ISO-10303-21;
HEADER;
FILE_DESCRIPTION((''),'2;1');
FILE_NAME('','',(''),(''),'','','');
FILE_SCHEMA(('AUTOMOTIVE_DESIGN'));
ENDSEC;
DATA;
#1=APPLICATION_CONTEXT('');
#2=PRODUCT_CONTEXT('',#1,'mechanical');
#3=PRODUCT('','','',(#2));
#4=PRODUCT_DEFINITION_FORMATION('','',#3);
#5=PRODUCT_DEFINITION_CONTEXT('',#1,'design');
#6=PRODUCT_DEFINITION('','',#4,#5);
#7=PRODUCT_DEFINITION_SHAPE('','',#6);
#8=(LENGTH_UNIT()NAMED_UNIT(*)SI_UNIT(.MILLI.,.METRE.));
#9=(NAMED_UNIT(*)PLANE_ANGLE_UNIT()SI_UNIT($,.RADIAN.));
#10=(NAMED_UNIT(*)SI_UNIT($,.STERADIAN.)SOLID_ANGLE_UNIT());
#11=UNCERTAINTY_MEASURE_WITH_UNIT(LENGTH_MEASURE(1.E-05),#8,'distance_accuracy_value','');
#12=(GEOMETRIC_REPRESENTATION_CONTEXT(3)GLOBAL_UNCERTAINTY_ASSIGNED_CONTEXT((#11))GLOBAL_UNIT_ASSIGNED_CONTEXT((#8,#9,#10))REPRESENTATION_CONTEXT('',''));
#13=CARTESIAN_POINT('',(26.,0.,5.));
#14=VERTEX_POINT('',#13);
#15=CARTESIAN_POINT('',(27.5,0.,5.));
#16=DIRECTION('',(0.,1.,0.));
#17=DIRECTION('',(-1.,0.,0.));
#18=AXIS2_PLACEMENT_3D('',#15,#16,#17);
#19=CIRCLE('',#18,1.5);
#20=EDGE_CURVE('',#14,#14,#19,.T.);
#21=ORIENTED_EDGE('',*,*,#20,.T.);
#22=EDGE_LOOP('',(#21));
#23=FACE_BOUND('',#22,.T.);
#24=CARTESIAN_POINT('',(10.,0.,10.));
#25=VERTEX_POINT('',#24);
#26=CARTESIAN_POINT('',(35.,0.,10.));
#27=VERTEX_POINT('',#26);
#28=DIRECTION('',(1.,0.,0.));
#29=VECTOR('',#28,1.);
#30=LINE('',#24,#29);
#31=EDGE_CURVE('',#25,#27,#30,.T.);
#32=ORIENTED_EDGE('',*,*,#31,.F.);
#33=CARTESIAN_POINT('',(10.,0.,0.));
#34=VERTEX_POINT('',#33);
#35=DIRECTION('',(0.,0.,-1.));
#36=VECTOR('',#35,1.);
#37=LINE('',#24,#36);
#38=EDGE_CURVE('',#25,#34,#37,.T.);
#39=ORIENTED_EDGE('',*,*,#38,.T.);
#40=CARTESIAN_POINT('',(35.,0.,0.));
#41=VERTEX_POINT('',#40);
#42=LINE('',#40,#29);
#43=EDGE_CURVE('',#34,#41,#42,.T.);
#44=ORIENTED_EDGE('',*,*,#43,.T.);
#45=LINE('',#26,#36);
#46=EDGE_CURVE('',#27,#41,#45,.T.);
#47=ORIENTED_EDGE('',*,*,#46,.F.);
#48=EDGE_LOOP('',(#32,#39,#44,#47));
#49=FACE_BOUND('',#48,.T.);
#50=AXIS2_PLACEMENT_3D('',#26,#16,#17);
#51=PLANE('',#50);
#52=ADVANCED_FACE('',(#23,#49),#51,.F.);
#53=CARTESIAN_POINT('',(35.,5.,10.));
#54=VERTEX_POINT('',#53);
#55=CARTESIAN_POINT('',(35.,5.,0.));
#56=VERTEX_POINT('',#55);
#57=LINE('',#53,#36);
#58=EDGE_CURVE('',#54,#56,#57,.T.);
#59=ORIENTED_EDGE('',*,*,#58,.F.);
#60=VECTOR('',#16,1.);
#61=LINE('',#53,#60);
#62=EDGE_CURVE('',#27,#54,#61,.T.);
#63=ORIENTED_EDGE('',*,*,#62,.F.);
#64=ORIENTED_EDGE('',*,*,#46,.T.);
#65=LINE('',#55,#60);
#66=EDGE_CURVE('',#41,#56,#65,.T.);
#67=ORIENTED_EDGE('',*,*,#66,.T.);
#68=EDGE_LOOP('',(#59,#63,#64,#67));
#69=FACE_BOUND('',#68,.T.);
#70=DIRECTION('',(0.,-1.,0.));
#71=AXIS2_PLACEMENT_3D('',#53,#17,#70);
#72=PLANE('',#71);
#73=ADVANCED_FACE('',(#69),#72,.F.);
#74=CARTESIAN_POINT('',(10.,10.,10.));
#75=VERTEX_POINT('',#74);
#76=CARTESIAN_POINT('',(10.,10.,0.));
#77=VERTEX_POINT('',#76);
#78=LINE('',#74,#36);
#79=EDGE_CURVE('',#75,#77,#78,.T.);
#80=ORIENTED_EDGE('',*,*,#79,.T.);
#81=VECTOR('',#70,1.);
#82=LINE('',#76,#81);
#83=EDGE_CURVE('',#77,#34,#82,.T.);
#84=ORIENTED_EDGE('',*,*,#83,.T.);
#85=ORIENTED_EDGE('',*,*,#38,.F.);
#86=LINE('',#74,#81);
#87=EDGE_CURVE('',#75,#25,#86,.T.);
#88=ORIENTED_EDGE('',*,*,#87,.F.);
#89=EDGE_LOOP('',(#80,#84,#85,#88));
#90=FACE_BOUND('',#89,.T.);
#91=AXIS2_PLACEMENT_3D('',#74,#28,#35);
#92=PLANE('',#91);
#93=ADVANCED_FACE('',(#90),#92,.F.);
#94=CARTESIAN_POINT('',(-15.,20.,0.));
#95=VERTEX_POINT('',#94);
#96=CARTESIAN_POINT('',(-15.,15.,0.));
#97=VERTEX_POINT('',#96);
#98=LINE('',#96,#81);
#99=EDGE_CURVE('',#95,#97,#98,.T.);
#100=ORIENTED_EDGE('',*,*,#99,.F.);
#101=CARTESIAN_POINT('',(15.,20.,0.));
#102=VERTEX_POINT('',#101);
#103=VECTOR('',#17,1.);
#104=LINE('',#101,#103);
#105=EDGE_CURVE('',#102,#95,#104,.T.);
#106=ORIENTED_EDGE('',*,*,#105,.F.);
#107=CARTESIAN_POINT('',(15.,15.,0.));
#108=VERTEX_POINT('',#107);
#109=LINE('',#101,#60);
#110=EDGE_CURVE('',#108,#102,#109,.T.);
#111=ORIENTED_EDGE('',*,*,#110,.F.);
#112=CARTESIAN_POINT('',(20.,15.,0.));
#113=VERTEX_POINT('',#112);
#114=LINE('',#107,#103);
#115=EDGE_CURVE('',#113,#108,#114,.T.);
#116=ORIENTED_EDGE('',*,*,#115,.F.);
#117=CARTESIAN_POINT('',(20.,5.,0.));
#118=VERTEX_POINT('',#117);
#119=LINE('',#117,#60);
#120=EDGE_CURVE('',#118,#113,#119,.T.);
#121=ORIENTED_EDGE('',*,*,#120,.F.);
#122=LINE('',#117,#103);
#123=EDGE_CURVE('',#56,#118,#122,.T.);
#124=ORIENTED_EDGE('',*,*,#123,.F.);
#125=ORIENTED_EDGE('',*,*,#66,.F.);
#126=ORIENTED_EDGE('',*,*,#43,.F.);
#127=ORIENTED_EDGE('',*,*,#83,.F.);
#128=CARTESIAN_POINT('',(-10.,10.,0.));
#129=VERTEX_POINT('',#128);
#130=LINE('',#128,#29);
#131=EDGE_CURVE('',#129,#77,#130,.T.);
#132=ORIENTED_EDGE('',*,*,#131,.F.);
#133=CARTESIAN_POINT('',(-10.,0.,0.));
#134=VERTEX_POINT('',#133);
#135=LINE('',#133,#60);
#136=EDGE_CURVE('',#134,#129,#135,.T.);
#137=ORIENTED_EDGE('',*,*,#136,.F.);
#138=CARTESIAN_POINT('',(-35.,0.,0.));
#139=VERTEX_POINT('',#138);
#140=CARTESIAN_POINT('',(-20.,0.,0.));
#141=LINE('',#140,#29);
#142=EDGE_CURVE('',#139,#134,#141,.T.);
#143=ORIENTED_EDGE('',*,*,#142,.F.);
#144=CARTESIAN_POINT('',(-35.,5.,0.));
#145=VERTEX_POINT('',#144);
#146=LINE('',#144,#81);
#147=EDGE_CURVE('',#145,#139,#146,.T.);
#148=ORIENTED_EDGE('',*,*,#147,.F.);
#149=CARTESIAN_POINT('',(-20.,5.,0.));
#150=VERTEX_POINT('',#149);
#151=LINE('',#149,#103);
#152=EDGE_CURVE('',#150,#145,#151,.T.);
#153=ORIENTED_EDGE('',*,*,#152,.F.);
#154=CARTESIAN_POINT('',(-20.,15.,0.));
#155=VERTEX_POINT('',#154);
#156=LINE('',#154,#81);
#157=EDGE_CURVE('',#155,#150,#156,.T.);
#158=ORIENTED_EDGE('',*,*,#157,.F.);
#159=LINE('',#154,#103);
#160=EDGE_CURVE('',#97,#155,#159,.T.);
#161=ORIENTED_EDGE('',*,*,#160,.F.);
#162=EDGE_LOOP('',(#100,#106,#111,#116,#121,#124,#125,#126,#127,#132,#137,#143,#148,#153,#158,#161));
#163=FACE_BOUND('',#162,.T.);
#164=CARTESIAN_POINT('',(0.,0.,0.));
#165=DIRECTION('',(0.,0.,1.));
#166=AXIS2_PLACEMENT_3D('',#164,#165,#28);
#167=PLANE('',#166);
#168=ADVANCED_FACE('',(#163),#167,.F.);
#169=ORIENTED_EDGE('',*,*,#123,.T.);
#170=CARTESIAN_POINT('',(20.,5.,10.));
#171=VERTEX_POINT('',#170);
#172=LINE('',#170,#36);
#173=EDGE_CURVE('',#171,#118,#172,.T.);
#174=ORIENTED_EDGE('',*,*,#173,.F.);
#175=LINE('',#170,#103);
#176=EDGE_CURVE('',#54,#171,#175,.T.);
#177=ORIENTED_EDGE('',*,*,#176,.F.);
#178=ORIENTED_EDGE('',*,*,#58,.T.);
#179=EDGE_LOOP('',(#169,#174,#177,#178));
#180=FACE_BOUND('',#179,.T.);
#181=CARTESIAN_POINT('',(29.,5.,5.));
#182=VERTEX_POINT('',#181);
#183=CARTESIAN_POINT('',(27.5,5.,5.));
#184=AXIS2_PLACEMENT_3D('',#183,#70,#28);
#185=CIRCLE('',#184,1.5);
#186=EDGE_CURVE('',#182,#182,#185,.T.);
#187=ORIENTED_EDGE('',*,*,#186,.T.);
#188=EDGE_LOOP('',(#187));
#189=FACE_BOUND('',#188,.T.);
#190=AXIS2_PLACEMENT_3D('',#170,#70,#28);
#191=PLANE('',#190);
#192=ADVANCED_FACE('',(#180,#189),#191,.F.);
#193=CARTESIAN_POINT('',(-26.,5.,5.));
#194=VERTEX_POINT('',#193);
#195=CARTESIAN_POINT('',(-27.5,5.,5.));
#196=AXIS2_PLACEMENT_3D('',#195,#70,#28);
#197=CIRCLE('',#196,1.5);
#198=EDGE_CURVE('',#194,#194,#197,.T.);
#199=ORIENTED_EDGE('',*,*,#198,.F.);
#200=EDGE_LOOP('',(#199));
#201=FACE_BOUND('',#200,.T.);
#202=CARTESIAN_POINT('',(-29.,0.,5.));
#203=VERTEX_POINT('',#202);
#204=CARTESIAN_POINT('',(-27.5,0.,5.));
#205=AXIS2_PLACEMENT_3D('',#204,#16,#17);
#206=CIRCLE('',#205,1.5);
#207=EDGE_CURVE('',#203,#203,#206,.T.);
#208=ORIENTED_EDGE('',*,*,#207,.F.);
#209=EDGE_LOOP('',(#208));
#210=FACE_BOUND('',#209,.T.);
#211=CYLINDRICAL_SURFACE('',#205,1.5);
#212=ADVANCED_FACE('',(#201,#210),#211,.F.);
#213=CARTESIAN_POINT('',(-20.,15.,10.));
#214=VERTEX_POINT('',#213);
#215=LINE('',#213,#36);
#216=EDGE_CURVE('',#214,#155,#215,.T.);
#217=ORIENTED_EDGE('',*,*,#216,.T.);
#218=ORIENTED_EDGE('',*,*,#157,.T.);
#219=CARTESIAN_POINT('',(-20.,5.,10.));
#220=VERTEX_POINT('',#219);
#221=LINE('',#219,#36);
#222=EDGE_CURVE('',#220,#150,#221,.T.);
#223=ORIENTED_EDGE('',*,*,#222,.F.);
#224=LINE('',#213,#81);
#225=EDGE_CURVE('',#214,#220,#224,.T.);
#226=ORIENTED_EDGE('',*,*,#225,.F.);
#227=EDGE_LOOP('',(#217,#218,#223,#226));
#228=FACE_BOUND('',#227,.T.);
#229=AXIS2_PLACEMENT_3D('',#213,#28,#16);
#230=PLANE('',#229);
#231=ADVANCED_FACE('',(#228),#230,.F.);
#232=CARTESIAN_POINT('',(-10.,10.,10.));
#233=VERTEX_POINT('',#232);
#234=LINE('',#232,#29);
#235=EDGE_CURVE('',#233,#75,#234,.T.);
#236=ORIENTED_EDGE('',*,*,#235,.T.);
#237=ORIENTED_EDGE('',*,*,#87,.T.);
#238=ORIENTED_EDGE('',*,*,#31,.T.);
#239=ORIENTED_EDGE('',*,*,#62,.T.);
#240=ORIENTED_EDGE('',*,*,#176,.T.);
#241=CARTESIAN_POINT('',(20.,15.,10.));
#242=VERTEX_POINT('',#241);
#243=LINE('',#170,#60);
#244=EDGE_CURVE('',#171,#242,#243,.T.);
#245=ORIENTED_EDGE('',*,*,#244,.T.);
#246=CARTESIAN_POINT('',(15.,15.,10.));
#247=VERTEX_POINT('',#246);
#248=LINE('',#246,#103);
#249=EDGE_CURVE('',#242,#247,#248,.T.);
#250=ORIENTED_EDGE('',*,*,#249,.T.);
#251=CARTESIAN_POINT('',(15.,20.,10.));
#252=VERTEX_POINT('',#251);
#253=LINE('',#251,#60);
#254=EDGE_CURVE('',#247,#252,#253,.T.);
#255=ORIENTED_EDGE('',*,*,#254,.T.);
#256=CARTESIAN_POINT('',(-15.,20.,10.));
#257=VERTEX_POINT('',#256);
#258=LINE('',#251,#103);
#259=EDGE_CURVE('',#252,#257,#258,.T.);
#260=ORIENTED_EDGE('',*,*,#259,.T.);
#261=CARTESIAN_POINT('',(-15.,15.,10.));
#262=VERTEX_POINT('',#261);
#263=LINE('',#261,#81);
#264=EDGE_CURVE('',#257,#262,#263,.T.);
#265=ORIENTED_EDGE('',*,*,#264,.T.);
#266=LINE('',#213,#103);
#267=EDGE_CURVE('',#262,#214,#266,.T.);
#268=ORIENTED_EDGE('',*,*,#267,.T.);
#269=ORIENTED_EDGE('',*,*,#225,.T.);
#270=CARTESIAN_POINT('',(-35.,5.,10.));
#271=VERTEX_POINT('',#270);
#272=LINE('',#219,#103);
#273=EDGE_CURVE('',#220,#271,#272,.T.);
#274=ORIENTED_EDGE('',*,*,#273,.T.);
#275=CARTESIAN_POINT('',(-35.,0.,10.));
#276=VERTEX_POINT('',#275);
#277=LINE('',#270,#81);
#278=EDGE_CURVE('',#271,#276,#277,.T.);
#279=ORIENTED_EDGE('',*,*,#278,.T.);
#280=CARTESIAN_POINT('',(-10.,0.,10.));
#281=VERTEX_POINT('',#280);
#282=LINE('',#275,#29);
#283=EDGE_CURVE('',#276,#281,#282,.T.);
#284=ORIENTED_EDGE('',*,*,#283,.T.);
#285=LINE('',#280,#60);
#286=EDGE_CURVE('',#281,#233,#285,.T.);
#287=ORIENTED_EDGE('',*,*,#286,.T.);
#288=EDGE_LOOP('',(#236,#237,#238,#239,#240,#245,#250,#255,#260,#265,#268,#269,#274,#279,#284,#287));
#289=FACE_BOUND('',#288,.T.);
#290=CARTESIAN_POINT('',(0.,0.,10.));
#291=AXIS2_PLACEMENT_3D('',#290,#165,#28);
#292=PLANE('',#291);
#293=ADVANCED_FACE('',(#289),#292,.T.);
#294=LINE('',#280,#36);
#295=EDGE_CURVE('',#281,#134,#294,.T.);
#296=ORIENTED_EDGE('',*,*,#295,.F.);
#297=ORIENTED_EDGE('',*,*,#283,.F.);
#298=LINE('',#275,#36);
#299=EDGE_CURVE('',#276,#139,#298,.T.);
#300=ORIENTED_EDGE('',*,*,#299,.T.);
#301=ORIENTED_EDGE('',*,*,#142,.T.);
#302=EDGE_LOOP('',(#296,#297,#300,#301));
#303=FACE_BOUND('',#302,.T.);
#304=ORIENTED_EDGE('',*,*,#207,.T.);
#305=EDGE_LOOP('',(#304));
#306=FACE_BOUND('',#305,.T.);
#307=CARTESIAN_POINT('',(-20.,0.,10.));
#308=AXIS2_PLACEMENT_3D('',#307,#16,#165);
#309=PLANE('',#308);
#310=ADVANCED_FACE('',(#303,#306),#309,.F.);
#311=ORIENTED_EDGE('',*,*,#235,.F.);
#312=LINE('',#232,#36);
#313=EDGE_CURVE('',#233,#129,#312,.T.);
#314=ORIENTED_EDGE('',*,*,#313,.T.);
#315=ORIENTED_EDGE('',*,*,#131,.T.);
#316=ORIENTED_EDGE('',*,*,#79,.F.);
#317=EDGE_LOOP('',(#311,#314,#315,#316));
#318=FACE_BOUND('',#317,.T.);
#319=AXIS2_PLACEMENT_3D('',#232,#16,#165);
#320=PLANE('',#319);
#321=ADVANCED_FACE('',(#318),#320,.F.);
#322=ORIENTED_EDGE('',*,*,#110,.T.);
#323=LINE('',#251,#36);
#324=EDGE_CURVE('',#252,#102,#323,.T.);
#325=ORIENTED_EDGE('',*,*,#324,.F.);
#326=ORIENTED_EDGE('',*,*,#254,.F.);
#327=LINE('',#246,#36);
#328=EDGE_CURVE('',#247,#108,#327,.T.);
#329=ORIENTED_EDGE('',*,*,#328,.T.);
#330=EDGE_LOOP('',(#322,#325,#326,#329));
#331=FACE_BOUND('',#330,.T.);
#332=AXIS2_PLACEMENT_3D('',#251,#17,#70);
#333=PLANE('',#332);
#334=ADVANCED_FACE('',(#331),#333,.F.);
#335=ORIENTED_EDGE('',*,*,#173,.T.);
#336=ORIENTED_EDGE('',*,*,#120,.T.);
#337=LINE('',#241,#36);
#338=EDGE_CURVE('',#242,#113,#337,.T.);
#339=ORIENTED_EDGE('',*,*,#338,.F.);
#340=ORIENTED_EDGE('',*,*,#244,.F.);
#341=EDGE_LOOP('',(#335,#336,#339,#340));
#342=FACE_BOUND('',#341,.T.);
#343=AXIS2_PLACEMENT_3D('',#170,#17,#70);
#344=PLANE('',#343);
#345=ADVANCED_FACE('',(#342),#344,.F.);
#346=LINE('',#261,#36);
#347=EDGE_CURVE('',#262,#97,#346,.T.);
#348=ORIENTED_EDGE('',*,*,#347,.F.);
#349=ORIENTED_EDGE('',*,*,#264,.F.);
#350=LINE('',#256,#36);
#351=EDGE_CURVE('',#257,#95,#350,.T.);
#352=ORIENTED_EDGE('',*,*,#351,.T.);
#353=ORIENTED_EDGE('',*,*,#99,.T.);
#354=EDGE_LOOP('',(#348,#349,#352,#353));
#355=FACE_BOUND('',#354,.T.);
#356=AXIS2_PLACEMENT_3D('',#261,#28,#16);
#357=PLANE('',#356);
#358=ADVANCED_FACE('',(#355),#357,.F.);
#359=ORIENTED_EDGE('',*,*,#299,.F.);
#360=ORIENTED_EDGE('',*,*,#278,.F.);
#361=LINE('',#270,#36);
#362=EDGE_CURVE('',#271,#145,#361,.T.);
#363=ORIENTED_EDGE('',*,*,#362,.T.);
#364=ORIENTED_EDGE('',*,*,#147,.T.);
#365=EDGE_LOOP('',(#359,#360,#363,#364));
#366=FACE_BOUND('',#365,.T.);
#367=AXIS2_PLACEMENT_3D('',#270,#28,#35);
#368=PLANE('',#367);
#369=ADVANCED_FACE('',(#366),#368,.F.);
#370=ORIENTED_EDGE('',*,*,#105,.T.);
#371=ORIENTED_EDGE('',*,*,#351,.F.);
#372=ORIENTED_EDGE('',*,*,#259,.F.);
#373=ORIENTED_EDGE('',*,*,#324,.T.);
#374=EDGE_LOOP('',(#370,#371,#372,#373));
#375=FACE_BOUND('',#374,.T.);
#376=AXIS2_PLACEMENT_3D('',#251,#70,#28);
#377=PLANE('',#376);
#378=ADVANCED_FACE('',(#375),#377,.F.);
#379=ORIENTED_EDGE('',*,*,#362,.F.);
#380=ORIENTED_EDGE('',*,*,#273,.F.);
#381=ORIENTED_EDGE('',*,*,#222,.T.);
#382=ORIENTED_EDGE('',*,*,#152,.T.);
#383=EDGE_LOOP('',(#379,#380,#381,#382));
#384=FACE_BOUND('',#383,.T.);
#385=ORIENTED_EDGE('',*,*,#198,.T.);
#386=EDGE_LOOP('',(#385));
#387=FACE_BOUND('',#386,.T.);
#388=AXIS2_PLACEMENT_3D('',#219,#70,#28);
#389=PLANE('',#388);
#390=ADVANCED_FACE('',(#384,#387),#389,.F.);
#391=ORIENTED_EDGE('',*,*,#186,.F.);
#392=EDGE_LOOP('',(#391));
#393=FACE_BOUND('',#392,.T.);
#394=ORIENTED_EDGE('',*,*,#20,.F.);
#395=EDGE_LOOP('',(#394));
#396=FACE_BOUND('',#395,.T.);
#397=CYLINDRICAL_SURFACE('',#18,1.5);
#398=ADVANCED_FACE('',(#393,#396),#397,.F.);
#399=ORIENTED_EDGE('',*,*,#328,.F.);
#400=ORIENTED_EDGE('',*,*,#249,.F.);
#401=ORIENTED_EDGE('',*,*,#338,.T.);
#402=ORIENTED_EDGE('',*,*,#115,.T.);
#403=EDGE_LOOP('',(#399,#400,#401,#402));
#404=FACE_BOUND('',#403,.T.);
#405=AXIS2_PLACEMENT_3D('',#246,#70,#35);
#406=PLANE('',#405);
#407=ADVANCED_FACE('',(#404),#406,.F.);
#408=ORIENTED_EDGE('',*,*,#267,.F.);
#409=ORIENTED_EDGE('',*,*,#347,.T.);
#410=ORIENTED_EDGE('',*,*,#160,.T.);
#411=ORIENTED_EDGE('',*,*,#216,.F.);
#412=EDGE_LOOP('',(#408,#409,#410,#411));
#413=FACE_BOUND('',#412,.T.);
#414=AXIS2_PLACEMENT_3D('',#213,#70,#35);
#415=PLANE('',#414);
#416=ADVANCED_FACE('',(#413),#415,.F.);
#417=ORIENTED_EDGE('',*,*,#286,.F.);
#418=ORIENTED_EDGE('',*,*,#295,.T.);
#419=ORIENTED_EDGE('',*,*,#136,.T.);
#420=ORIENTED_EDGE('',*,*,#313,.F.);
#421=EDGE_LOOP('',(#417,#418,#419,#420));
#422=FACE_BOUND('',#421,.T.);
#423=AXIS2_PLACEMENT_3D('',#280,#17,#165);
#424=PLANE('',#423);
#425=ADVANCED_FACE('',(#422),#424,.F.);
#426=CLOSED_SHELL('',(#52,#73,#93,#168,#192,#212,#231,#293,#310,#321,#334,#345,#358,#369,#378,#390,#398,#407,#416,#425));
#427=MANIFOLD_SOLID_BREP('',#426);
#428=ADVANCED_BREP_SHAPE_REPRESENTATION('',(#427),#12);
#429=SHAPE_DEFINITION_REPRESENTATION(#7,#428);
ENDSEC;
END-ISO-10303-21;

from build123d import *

# Parameters (mm, degrees)
EXTRUDE_1_DEPTH          = 10
CUT_EXTRUDE_1_DEPTH      = 40.37003937
CUT_EXTRUDE_1_DEPTH_BACK = 40.37003937
SKETCH_2_R               = 1.5


with BuildPart() as part:
    # 草图1 → 凸台-拉伸1 (new body)
    with BuildSketch(Plane.XY):
        Polygon((-20, 0), (-10, 0), (-10, 10), (10, 10), (10, 0), (20, 0), (35, 0), (35, 5), (20, 5), (20, 15), (15, 15), (15, 20), (-15, 20), (-15, 15), (-20, 15), (-20, 5), (-35, 5), (-35, 0), align=None)
    extrude(amount=EXTRUDE_1_DEPTH)

    # 草图2 → 切除-拉伸1 (cut, two sides: drawn at the far end of the back side and taken through both)
    with BuildSketch(Plane(origin=(0, 5, 0), x_dir=(1, 0, 0), z_dir=(0, 1, 0)).offset(-CUT_EXTRUDE_1_DEPTH_BACK)):
        with Locations(Location((-27.5, -5, 0), (0, 0, 180))):
            Circle(SKETCH_2_R)
        with Locations(Location((27.5, -5, 0), (0, 0, 180))):
            Circle(SKETCH_2_R)
    extrude(amount=CUT_EXTRUDE_1_DEPTH + CUT_EXTRUDE_1_DEPTH_BACK, mode=Mode.SUBTRACT)


solid = part.part
